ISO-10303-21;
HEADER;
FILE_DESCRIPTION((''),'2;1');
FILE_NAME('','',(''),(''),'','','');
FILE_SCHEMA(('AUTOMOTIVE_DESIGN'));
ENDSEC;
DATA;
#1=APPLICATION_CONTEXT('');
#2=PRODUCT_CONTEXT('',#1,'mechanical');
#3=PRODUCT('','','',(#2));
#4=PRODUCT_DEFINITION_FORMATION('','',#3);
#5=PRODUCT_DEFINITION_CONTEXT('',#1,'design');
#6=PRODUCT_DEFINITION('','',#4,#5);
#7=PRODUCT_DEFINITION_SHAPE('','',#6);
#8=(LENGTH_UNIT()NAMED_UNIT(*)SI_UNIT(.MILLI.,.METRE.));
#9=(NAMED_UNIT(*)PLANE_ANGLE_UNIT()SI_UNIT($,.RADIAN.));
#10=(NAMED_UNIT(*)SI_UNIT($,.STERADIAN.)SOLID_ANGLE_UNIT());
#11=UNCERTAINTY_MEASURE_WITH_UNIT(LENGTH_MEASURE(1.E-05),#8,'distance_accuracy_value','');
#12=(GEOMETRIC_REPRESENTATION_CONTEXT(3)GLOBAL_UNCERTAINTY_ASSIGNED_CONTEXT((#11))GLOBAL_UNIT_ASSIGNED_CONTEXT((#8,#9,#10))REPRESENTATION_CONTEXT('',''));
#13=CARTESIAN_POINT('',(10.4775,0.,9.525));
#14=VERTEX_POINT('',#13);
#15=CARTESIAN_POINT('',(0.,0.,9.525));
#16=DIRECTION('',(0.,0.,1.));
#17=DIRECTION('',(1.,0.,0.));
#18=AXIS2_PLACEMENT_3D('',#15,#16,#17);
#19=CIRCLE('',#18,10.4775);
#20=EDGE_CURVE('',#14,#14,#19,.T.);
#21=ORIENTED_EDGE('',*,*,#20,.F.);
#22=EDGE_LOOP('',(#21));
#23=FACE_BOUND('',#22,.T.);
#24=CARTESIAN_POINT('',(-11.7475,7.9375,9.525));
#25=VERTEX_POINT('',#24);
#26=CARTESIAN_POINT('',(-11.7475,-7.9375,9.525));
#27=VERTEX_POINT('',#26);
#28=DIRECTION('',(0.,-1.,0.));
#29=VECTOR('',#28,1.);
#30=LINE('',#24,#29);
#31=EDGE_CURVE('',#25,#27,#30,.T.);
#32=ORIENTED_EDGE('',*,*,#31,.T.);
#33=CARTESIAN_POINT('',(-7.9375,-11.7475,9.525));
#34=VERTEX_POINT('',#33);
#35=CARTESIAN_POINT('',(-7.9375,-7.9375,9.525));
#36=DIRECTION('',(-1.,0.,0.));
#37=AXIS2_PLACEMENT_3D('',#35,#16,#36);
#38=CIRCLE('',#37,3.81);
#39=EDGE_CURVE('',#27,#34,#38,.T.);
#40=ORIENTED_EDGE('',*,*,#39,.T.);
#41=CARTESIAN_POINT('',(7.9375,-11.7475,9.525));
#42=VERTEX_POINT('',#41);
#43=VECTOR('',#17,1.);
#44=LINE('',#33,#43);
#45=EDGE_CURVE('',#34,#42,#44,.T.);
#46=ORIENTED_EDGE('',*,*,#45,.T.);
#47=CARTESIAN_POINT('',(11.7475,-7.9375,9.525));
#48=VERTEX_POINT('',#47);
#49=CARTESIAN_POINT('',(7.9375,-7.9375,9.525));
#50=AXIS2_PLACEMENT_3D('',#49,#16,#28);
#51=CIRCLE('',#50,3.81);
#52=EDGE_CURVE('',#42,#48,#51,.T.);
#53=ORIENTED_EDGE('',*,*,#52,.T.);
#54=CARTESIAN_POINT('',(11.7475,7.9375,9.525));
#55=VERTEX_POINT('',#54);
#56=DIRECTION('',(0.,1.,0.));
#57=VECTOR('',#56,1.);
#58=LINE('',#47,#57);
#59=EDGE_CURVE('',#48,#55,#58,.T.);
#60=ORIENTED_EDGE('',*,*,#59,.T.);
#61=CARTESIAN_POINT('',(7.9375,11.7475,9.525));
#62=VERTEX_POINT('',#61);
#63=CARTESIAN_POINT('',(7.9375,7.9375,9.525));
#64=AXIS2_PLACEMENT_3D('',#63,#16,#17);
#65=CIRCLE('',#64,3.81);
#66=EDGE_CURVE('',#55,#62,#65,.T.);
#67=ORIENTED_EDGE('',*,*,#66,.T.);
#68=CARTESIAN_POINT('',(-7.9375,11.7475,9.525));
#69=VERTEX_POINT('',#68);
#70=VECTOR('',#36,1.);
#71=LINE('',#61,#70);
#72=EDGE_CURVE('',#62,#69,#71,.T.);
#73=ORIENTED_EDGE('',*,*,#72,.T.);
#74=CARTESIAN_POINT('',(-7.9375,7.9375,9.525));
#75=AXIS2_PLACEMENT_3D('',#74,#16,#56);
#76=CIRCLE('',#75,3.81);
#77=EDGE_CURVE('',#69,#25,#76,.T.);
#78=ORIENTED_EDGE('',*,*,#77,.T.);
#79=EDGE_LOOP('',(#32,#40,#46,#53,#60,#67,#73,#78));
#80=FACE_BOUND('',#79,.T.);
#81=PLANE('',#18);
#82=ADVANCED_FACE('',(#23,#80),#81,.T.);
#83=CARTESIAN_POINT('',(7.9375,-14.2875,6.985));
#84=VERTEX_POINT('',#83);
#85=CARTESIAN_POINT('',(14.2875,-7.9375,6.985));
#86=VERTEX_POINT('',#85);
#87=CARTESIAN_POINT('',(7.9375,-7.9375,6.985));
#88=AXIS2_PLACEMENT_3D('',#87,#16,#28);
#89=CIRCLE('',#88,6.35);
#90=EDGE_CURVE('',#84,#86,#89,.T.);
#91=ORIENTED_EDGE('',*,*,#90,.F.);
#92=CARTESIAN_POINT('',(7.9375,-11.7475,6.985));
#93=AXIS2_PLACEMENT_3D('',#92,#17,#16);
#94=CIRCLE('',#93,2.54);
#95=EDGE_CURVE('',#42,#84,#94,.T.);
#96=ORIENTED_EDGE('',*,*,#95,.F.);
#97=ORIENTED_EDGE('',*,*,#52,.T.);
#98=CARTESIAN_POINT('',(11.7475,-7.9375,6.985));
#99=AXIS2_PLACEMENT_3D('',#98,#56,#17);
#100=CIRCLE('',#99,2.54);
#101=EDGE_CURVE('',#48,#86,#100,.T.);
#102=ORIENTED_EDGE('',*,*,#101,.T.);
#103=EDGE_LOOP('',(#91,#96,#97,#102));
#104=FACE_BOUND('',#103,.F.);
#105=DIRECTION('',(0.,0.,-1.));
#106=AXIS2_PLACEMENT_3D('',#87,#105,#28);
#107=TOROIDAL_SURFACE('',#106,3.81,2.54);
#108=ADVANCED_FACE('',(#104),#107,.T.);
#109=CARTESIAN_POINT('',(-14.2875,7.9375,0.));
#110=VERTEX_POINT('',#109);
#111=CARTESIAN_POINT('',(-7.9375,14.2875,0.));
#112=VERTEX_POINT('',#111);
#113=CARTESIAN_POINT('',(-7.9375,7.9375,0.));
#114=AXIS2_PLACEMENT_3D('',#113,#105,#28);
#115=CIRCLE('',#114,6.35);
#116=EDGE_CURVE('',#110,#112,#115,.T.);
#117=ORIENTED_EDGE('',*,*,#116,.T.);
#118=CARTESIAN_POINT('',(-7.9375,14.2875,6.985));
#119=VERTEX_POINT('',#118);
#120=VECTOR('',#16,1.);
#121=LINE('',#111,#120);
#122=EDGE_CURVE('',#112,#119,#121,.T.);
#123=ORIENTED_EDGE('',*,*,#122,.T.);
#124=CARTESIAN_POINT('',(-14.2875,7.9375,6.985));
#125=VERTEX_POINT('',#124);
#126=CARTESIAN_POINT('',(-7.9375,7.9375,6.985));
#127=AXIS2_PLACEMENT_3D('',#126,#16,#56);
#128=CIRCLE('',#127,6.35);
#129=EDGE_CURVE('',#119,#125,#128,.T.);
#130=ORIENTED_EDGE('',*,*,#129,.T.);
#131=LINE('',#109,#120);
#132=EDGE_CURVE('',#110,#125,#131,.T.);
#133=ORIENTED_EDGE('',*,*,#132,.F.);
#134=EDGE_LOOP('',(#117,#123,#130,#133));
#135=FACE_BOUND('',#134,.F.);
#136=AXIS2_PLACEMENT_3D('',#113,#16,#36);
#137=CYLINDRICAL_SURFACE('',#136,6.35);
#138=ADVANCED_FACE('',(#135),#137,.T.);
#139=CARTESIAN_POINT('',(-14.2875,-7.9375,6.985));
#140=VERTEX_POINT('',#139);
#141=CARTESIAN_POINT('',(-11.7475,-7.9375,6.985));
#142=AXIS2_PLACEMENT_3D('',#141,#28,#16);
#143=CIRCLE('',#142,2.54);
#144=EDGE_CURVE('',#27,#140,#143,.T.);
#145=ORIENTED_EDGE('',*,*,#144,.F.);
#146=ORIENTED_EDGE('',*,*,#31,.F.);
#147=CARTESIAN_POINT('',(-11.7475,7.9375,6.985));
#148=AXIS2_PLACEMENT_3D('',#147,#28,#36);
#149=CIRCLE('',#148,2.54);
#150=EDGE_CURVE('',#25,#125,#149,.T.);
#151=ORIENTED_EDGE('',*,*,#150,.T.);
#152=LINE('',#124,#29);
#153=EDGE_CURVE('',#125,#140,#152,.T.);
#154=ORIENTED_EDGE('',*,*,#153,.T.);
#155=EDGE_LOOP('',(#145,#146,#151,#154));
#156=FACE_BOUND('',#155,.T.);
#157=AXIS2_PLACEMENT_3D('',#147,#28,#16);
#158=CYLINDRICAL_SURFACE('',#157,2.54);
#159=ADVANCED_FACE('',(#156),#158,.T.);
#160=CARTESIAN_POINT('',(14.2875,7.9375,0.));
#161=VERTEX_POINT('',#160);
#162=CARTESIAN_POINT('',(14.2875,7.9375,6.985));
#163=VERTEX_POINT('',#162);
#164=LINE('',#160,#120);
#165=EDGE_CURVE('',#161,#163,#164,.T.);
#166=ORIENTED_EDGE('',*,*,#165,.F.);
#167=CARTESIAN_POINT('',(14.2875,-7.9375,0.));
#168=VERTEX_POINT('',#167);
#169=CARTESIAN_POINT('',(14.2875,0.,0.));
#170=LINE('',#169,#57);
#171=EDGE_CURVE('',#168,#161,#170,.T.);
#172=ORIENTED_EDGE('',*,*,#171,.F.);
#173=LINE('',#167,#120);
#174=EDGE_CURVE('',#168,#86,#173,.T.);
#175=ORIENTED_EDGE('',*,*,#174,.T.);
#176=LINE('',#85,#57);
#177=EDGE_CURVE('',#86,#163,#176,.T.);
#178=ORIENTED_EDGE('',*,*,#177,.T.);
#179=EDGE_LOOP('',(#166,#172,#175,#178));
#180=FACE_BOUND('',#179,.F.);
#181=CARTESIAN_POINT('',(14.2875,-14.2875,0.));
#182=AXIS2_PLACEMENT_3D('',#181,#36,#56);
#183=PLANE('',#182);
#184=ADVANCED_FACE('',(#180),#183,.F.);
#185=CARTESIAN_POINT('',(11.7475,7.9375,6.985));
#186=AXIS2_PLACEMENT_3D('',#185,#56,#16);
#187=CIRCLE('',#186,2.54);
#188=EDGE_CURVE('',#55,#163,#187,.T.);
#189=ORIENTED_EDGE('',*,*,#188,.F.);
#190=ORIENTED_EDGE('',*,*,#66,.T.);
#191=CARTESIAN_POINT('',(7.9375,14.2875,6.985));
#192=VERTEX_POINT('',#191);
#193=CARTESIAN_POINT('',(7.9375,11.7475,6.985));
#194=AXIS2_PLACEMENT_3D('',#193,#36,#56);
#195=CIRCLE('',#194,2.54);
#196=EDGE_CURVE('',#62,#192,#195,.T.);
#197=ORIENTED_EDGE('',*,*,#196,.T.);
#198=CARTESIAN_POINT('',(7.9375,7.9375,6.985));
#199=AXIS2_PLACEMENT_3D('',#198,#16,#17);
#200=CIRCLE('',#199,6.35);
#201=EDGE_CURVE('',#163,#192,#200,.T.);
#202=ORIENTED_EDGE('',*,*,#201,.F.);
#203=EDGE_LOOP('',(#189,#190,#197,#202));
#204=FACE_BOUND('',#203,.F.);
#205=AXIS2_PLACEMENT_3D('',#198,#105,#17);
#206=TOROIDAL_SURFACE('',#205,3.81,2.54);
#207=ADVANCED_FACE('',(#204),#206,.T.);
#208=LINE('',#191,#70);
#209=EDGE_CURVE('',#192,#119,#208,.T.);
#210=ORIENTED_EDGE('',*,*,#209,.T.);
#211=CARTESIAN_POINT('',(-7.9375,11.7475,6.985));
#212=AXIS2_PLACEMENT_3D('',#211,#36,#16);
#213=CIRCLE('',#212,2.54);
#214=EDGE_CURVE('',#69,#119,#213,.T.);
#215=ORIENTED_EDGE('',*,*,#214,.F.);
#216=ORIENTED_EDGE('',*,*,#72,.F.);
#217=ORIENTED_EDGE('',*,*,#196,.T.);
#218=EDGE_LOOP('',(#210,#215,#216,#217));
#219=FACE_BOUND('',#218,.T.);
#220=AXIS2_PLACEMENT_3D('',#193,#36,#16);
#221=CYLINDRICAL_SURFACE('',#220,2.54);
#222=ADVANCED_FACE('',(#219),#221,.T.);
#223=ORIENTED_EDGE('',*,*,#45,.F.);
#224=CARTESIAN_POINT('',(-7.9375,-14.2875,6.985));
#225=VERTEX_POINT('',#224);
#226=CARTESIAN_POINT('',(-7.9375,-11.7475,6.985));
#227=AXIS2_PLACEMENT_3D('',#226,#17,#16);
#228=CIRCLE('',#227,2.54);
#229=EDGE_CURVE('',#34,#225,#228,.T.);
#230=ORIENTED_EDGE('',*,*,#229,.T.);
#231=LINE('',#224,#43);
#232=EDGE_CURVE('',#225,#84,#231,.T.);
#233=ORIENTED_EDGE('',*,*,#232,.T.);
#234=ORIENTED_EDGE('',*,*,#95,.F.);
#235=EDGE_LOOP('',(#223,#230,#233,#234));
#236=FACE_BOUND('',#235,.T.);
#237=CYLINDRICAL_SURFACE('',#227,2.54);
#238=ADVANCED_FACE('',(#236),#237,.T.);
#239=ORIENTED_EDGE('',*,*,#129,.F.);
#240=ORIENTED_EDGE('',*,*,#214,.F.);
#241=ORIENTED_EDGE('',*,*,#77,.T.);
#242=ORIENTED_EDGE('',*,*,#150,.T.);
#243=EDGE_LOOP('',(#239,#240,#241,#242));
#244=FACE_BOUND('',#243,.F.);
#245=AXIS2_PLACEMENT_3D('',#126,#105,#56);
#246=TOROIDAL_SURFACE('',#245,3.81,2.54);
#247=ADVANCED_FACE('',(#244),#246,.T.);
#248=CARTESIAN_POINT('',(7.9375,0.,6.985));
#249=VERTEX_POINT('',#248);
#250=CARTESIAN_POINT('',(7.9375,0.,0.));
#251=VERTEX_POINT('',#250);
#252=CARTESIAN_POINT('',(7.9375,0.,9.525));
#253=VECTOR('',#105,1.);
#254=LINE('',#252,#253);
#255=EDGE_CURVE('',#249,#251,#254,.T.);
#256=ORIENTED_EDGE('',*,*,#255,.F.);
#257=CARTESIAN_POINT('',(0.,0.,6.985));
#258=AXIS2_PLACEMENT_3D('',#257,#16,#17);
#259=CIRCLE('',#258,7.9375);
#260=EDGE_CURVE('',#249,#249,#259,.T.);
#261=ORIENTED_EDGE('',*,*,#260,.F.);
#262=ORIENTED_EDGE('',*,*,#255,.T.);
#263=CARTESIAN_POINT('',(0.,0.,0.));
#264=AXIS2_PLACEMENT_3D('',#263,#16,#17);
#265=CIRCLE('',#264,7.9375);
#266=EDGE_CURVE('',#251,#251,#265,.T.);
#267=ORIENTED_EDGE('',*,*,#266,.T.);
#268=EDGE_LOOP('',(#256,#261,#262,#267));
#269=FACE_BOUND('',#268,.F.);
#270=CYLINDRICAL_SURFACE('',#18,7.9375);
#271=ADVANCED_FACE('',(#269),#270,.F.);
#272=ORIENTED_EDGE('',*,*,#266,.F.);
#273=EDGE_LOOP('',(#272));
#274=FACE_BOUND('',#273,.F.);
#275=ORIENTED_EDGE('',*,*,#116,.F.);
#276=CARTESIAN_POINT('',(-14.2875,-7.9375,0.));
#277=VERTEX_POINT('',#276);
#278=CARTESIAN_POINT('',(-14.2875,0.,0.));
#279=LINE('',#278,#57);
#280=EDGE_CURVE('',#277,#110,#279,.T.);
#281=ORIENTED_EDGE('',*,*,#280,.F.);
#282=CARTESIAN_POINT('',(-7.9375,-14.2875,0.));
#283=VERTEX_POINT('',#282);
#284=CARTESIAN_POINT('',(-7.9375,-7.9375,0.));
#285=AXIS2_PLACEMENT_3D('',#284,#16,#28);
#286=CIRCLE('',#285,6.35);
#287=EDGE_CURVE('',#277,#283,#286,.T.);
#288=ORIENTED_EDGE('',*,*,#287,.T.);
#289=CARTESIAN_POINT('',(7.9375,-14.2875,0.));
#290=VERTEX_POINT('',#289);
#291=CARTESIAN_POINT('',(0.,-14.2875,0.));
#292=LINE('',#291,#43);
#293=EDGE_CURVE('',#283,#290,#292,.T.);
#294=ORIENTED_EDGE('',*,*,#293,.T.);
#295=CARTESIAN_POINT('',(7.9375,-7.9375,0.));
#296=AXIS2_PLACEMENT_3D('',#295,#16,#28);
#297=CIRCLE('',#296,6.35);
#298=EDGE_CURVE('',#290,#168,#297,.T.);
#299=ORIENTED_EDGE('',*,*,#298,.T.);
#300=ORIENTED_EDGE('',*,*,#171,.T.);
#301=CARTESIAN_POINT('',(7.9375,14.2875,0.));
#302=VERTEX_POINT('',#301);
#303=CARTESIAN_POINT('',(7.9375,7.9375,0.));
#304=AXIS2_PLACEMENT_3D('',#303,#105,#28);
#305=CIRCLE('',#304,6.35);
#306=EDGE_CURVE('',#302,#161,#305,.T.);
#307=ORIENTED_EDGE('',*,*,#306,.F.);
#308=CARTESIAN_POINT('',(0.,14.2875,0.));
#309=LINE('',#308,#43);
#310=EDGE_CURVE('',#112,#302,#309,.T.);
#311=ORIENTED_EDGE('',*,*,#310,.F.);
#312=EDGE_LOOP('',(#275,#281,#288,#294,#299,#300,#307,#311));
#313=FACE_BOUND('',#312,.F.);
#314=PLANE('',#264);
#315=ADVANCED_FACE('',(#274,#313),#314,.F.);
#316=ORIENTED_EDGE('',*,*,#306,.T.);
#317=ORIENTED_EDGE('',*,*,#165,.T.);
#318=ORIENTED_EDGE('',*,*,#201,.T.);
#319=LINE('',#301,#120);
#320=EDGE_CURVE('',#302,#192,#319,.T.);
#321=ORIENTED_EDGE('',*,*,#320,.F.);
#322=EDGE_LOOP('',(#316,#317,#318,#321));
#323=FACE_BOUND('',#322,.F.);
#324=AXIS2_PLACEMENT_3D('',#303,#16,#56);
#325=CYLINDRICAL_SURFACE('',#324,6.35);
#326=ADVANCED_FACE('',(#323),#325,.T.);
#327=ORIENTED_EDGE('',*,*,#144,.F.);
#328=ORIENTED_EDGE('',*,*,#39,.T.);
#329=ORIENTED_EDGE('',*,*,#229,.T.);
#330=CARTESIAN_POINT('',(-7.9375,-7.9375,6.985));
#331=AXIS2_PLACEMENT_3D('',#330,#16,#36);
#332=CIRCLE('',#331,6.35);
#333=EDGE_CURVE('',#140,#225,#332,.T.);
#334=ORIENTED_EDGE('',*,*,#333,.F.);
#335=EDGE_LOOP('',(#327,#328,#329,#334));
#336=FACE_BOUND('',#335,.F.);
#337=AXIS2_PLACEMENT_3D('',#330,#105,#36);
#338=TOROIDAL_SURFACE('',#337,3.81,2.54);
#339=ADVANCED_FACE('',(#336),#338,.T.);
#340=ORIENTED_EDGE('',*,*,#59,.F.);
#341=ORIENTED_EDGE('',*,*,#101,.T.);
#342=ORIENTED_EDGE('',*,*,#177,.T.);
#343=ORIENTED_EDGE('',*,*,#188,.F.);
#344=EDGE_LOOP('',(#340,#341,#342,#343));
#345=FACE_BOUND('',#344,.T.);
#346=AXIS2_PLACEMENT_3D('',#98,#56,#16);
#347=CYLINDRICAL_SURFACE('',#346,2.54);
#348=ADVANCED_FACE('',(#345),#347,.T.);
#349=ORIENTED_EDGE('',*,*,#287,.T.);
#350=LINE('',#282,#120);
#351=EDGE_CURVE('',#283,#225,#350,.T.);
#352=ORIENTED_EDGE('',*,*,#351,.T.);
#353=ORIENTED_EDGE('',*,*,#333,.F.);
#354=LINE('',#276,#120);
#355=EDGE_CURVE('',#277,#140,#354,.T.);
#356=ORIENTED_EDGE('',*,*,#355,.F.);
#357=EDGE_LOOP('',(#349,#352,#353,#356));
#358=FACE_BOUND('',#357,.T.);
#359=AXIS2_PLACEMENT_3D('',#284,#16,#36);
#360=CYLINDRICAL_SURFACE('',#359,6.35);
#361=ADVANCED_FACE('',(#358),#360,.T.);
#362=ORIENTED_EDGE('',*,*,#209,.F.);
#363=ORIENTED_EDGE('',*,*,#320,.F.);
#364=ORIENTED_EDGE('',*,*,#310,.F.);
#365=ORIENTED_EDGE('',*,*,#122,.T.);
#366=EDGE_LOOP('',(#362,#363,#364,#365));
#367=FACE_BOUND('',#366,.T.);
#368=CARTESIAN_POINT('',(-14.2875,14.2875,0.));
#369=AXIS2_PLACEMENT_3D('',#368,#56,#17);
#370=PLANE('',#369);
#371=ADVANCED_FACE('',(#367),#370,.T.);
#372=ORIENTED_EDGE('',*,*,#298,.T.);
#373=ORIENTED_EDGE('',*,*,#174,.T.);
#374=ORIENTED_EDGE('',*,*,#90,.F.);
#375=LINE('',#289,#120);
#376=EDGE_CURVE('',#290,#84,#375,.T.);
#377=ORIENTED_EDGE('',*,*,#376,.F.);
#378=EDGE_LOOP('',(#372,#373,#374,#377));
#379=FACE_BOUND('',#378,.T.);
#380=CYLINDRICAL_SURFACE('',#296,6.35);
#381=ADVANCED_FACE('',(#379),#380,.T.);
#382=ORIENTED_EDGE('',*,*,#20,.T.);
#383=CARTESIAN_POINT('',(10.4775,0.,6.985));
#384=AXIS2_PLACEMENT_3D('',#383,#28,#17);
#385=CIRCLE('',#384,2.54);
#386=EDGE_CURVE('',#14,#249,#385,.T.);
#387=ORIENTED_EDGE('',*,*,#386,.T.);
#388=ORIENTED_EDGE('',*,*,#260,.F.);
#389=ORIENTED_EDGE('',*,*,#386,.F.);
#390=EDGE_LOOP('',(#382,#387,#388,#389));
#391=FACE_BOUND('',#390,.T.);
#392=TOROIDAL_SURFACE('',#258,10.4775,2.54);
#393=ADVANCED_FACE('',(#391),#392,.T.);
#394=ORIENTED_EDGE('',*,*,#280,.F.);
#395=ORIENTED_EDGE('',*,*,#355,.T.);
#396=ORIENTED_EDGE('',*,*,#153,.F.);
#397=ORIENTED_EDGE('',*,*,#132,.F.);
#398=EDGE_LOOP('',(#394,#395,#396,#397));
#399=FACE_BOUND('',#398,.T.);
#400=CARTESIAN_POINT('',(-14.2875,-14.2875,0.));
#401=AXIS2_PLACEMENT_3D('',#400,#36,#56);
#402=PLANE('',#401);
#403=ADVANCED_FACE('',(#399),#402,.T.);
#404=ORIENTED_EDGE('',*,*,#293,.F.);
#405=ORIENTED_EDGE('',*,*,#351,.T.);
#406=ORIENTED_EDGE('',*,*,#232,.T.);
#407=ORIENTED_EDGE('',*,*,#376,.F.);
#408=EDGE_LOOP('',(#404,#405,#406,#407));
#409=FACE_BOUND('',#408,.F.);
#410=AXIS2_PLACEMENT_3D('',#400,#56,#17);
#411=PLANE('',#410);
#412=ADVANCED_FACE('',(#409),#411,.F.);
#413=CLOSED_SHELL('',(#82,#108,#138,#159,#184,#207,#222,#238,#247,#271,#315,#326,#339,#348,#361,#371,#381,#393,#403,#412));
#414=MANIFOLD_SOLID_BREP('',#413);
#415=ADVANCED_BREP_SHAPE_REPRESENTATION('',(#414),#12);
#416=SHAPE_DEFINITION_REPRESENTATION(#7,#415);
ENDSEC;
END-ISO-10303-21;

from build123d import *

# Parameters (mm, degrees)
F0_W     = 28.575
F0_H     = 28.575
F1_DEPTH = 9.525
F2_R     = 7.9375
F3_DEPTH = 9.526
F4_R     = 6.35
F5_R     = 2.54


with BuildPart() as f1:
    # F0 (on Top) → F1 (new body)
    with BuildSketch(Plane.XY):
        Rectangle(F0_W, F0_H)
    extrude(amount=F1_DEPTH)

    # F2 (on face) → F3 (cut, through all)
    with BuildSketch(Plane.XY.offset(9.525)):
        Circle(F2_R)
    extrude(amount=-F3_DEPTH, mode=Mode.SUBTRACT)

    # F4
    f4_edges = [f1.edges().sort_by_distance(p)[0] for p in [
        (-14.2875, -14.2875, 4.7625),
        (-14.2875, 14.2875, 4.7625),
        (14.2875, -14.2875, 4.7625),
        (14.2875, 14.2875, 4.7625),
    ]]
    fillet(f4_edges, radius=F4_R)

    # F5
    f5_edges = [f1.edges().sort_by_distance(p)[0] for p in [
        (-7.9375, 0, 9.525),
        (0, -14.2875, 9.525),
    ]]
    fillet(f5_edges, radius=F5_R)


solid = f1.part
